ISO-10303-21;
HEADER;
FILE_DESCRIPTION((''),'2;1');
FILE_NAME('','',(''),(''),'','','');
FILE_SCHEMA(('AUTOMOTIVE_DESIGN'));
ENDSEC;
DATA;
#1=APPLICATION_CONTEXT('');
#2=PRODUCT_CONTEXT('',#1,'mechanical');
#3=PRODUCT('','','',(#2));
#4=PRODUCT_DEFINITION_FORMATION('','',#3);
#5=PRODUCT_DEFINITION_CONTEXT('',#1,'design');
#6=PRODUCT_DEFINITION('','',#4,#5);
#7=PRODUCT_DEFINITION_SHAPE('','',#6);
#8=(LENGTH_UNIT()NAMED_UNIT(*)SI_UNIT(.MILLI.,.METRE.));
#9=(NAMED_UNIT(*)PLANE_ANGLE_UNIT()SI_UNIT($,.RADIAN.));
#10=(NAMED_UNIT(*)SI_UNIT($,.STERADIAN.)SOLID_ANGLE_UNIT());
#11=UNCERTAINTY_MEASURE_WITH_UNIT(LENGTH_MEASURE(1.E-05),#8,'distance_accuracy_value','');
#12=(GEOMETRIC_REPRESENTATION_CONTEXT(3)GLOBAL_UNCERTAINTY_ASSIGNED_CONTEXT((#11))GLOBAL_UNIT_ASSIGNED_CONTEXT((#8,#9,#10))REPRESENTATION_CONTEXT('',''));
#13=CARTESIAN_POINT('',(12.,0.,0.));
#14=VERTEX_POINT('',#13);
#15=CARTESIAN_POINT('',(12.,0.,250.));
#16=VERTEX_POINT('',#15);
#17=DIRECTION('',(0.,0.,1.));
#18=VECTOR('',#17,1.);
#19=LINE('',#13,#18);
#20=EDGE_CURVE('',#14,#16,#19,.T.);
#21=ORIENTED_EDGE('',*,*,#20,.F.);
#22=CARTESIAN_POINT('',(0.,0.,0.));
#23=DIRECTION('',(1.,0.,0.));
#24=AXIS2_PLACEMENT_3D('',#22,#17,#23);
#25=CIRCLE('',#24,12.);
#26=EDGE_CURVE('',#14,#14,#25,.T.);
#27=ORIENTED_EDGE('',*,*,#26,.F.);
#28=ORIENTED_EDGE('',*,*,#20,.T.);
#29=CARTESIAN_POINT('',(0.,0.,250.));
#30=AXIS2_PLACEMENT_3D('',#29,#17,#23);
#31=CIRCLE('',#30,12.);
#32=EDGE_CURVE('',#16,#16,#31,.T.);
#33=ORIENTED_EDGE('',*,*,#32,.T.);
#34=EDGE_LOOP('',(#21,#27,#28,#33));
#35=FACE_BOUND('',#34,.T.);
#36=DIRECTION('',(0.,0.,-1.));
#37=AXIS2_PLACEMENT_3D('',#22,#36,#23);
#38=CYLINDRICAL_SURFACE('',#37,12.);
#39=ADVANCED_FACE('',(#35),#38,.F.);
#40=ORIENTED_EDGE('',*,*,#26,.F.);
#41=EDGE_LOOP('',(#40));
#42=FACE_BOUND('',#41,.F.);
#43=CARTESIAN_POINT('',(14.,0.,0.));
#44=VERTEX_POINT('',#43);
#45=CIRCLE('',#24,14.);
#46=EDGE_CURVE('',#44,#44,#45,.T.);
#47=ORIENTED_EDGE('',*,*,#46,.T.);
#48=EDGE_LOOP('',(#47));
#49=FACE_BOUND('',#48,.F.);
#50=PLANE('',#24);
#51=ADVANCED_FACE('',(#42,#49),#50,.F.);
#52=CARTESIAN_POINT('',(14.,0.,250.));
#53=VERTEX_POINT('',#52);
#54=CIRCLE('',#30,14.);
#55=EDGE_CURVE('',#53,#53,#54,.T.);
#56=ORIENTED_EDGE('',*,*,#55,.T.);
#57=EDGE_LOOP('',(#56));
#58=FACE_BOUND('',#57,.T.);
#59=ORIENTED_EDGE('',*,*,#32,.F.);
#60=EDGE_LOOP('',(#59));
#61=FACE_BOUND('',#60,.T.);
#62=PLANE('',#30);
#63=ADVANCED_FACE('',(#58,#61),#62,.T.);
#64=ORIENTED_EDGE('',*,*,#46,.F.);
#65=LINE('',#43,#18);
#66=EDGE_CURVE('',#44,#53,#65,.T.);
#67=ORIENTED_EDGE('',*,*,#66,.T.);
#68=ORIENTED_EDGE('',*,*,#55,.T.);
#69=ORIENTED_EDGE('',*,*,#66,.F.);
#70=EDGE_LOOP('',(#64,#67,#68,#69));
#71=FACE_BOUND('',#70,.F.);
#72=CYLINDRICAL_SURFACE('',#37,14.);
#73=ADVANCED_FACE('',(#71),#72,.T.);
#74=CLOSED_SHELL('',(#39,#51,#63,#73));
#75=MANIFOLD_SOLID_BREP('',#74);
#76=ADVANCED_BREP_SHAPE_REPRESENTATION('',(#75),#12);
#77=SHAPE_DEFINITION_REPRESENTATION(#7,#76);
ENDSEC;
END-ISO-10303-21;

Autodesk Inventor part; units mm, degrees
ref_plane "YZ Plane" through (0, 0, 0) normal (1, 0, 0) x (0, 1, 0)
ref_plane "XZ Plane" through (0, 0, 0) normal (0, 1, 0) x (-1, 0, 0)
ref_plane "XY Plane" through (0, 0, 0) normal (0, 0, 1) x (1, 0, 0)
sketch "Sketch1" plane through (0, 0, 0) normal (0, 0, 1) x (1, 0, 0)
  circle A0 centre (0, 0) radius 12
  circle A1 centre (0, 0) radius 14
  dimension "d0" = 24
  dimension "d1" = 2
extrude "Extrusion1" add sketch "Sketch1" along normal blind 250
properties part number "tubo corto" material "Steel, Alloy"
